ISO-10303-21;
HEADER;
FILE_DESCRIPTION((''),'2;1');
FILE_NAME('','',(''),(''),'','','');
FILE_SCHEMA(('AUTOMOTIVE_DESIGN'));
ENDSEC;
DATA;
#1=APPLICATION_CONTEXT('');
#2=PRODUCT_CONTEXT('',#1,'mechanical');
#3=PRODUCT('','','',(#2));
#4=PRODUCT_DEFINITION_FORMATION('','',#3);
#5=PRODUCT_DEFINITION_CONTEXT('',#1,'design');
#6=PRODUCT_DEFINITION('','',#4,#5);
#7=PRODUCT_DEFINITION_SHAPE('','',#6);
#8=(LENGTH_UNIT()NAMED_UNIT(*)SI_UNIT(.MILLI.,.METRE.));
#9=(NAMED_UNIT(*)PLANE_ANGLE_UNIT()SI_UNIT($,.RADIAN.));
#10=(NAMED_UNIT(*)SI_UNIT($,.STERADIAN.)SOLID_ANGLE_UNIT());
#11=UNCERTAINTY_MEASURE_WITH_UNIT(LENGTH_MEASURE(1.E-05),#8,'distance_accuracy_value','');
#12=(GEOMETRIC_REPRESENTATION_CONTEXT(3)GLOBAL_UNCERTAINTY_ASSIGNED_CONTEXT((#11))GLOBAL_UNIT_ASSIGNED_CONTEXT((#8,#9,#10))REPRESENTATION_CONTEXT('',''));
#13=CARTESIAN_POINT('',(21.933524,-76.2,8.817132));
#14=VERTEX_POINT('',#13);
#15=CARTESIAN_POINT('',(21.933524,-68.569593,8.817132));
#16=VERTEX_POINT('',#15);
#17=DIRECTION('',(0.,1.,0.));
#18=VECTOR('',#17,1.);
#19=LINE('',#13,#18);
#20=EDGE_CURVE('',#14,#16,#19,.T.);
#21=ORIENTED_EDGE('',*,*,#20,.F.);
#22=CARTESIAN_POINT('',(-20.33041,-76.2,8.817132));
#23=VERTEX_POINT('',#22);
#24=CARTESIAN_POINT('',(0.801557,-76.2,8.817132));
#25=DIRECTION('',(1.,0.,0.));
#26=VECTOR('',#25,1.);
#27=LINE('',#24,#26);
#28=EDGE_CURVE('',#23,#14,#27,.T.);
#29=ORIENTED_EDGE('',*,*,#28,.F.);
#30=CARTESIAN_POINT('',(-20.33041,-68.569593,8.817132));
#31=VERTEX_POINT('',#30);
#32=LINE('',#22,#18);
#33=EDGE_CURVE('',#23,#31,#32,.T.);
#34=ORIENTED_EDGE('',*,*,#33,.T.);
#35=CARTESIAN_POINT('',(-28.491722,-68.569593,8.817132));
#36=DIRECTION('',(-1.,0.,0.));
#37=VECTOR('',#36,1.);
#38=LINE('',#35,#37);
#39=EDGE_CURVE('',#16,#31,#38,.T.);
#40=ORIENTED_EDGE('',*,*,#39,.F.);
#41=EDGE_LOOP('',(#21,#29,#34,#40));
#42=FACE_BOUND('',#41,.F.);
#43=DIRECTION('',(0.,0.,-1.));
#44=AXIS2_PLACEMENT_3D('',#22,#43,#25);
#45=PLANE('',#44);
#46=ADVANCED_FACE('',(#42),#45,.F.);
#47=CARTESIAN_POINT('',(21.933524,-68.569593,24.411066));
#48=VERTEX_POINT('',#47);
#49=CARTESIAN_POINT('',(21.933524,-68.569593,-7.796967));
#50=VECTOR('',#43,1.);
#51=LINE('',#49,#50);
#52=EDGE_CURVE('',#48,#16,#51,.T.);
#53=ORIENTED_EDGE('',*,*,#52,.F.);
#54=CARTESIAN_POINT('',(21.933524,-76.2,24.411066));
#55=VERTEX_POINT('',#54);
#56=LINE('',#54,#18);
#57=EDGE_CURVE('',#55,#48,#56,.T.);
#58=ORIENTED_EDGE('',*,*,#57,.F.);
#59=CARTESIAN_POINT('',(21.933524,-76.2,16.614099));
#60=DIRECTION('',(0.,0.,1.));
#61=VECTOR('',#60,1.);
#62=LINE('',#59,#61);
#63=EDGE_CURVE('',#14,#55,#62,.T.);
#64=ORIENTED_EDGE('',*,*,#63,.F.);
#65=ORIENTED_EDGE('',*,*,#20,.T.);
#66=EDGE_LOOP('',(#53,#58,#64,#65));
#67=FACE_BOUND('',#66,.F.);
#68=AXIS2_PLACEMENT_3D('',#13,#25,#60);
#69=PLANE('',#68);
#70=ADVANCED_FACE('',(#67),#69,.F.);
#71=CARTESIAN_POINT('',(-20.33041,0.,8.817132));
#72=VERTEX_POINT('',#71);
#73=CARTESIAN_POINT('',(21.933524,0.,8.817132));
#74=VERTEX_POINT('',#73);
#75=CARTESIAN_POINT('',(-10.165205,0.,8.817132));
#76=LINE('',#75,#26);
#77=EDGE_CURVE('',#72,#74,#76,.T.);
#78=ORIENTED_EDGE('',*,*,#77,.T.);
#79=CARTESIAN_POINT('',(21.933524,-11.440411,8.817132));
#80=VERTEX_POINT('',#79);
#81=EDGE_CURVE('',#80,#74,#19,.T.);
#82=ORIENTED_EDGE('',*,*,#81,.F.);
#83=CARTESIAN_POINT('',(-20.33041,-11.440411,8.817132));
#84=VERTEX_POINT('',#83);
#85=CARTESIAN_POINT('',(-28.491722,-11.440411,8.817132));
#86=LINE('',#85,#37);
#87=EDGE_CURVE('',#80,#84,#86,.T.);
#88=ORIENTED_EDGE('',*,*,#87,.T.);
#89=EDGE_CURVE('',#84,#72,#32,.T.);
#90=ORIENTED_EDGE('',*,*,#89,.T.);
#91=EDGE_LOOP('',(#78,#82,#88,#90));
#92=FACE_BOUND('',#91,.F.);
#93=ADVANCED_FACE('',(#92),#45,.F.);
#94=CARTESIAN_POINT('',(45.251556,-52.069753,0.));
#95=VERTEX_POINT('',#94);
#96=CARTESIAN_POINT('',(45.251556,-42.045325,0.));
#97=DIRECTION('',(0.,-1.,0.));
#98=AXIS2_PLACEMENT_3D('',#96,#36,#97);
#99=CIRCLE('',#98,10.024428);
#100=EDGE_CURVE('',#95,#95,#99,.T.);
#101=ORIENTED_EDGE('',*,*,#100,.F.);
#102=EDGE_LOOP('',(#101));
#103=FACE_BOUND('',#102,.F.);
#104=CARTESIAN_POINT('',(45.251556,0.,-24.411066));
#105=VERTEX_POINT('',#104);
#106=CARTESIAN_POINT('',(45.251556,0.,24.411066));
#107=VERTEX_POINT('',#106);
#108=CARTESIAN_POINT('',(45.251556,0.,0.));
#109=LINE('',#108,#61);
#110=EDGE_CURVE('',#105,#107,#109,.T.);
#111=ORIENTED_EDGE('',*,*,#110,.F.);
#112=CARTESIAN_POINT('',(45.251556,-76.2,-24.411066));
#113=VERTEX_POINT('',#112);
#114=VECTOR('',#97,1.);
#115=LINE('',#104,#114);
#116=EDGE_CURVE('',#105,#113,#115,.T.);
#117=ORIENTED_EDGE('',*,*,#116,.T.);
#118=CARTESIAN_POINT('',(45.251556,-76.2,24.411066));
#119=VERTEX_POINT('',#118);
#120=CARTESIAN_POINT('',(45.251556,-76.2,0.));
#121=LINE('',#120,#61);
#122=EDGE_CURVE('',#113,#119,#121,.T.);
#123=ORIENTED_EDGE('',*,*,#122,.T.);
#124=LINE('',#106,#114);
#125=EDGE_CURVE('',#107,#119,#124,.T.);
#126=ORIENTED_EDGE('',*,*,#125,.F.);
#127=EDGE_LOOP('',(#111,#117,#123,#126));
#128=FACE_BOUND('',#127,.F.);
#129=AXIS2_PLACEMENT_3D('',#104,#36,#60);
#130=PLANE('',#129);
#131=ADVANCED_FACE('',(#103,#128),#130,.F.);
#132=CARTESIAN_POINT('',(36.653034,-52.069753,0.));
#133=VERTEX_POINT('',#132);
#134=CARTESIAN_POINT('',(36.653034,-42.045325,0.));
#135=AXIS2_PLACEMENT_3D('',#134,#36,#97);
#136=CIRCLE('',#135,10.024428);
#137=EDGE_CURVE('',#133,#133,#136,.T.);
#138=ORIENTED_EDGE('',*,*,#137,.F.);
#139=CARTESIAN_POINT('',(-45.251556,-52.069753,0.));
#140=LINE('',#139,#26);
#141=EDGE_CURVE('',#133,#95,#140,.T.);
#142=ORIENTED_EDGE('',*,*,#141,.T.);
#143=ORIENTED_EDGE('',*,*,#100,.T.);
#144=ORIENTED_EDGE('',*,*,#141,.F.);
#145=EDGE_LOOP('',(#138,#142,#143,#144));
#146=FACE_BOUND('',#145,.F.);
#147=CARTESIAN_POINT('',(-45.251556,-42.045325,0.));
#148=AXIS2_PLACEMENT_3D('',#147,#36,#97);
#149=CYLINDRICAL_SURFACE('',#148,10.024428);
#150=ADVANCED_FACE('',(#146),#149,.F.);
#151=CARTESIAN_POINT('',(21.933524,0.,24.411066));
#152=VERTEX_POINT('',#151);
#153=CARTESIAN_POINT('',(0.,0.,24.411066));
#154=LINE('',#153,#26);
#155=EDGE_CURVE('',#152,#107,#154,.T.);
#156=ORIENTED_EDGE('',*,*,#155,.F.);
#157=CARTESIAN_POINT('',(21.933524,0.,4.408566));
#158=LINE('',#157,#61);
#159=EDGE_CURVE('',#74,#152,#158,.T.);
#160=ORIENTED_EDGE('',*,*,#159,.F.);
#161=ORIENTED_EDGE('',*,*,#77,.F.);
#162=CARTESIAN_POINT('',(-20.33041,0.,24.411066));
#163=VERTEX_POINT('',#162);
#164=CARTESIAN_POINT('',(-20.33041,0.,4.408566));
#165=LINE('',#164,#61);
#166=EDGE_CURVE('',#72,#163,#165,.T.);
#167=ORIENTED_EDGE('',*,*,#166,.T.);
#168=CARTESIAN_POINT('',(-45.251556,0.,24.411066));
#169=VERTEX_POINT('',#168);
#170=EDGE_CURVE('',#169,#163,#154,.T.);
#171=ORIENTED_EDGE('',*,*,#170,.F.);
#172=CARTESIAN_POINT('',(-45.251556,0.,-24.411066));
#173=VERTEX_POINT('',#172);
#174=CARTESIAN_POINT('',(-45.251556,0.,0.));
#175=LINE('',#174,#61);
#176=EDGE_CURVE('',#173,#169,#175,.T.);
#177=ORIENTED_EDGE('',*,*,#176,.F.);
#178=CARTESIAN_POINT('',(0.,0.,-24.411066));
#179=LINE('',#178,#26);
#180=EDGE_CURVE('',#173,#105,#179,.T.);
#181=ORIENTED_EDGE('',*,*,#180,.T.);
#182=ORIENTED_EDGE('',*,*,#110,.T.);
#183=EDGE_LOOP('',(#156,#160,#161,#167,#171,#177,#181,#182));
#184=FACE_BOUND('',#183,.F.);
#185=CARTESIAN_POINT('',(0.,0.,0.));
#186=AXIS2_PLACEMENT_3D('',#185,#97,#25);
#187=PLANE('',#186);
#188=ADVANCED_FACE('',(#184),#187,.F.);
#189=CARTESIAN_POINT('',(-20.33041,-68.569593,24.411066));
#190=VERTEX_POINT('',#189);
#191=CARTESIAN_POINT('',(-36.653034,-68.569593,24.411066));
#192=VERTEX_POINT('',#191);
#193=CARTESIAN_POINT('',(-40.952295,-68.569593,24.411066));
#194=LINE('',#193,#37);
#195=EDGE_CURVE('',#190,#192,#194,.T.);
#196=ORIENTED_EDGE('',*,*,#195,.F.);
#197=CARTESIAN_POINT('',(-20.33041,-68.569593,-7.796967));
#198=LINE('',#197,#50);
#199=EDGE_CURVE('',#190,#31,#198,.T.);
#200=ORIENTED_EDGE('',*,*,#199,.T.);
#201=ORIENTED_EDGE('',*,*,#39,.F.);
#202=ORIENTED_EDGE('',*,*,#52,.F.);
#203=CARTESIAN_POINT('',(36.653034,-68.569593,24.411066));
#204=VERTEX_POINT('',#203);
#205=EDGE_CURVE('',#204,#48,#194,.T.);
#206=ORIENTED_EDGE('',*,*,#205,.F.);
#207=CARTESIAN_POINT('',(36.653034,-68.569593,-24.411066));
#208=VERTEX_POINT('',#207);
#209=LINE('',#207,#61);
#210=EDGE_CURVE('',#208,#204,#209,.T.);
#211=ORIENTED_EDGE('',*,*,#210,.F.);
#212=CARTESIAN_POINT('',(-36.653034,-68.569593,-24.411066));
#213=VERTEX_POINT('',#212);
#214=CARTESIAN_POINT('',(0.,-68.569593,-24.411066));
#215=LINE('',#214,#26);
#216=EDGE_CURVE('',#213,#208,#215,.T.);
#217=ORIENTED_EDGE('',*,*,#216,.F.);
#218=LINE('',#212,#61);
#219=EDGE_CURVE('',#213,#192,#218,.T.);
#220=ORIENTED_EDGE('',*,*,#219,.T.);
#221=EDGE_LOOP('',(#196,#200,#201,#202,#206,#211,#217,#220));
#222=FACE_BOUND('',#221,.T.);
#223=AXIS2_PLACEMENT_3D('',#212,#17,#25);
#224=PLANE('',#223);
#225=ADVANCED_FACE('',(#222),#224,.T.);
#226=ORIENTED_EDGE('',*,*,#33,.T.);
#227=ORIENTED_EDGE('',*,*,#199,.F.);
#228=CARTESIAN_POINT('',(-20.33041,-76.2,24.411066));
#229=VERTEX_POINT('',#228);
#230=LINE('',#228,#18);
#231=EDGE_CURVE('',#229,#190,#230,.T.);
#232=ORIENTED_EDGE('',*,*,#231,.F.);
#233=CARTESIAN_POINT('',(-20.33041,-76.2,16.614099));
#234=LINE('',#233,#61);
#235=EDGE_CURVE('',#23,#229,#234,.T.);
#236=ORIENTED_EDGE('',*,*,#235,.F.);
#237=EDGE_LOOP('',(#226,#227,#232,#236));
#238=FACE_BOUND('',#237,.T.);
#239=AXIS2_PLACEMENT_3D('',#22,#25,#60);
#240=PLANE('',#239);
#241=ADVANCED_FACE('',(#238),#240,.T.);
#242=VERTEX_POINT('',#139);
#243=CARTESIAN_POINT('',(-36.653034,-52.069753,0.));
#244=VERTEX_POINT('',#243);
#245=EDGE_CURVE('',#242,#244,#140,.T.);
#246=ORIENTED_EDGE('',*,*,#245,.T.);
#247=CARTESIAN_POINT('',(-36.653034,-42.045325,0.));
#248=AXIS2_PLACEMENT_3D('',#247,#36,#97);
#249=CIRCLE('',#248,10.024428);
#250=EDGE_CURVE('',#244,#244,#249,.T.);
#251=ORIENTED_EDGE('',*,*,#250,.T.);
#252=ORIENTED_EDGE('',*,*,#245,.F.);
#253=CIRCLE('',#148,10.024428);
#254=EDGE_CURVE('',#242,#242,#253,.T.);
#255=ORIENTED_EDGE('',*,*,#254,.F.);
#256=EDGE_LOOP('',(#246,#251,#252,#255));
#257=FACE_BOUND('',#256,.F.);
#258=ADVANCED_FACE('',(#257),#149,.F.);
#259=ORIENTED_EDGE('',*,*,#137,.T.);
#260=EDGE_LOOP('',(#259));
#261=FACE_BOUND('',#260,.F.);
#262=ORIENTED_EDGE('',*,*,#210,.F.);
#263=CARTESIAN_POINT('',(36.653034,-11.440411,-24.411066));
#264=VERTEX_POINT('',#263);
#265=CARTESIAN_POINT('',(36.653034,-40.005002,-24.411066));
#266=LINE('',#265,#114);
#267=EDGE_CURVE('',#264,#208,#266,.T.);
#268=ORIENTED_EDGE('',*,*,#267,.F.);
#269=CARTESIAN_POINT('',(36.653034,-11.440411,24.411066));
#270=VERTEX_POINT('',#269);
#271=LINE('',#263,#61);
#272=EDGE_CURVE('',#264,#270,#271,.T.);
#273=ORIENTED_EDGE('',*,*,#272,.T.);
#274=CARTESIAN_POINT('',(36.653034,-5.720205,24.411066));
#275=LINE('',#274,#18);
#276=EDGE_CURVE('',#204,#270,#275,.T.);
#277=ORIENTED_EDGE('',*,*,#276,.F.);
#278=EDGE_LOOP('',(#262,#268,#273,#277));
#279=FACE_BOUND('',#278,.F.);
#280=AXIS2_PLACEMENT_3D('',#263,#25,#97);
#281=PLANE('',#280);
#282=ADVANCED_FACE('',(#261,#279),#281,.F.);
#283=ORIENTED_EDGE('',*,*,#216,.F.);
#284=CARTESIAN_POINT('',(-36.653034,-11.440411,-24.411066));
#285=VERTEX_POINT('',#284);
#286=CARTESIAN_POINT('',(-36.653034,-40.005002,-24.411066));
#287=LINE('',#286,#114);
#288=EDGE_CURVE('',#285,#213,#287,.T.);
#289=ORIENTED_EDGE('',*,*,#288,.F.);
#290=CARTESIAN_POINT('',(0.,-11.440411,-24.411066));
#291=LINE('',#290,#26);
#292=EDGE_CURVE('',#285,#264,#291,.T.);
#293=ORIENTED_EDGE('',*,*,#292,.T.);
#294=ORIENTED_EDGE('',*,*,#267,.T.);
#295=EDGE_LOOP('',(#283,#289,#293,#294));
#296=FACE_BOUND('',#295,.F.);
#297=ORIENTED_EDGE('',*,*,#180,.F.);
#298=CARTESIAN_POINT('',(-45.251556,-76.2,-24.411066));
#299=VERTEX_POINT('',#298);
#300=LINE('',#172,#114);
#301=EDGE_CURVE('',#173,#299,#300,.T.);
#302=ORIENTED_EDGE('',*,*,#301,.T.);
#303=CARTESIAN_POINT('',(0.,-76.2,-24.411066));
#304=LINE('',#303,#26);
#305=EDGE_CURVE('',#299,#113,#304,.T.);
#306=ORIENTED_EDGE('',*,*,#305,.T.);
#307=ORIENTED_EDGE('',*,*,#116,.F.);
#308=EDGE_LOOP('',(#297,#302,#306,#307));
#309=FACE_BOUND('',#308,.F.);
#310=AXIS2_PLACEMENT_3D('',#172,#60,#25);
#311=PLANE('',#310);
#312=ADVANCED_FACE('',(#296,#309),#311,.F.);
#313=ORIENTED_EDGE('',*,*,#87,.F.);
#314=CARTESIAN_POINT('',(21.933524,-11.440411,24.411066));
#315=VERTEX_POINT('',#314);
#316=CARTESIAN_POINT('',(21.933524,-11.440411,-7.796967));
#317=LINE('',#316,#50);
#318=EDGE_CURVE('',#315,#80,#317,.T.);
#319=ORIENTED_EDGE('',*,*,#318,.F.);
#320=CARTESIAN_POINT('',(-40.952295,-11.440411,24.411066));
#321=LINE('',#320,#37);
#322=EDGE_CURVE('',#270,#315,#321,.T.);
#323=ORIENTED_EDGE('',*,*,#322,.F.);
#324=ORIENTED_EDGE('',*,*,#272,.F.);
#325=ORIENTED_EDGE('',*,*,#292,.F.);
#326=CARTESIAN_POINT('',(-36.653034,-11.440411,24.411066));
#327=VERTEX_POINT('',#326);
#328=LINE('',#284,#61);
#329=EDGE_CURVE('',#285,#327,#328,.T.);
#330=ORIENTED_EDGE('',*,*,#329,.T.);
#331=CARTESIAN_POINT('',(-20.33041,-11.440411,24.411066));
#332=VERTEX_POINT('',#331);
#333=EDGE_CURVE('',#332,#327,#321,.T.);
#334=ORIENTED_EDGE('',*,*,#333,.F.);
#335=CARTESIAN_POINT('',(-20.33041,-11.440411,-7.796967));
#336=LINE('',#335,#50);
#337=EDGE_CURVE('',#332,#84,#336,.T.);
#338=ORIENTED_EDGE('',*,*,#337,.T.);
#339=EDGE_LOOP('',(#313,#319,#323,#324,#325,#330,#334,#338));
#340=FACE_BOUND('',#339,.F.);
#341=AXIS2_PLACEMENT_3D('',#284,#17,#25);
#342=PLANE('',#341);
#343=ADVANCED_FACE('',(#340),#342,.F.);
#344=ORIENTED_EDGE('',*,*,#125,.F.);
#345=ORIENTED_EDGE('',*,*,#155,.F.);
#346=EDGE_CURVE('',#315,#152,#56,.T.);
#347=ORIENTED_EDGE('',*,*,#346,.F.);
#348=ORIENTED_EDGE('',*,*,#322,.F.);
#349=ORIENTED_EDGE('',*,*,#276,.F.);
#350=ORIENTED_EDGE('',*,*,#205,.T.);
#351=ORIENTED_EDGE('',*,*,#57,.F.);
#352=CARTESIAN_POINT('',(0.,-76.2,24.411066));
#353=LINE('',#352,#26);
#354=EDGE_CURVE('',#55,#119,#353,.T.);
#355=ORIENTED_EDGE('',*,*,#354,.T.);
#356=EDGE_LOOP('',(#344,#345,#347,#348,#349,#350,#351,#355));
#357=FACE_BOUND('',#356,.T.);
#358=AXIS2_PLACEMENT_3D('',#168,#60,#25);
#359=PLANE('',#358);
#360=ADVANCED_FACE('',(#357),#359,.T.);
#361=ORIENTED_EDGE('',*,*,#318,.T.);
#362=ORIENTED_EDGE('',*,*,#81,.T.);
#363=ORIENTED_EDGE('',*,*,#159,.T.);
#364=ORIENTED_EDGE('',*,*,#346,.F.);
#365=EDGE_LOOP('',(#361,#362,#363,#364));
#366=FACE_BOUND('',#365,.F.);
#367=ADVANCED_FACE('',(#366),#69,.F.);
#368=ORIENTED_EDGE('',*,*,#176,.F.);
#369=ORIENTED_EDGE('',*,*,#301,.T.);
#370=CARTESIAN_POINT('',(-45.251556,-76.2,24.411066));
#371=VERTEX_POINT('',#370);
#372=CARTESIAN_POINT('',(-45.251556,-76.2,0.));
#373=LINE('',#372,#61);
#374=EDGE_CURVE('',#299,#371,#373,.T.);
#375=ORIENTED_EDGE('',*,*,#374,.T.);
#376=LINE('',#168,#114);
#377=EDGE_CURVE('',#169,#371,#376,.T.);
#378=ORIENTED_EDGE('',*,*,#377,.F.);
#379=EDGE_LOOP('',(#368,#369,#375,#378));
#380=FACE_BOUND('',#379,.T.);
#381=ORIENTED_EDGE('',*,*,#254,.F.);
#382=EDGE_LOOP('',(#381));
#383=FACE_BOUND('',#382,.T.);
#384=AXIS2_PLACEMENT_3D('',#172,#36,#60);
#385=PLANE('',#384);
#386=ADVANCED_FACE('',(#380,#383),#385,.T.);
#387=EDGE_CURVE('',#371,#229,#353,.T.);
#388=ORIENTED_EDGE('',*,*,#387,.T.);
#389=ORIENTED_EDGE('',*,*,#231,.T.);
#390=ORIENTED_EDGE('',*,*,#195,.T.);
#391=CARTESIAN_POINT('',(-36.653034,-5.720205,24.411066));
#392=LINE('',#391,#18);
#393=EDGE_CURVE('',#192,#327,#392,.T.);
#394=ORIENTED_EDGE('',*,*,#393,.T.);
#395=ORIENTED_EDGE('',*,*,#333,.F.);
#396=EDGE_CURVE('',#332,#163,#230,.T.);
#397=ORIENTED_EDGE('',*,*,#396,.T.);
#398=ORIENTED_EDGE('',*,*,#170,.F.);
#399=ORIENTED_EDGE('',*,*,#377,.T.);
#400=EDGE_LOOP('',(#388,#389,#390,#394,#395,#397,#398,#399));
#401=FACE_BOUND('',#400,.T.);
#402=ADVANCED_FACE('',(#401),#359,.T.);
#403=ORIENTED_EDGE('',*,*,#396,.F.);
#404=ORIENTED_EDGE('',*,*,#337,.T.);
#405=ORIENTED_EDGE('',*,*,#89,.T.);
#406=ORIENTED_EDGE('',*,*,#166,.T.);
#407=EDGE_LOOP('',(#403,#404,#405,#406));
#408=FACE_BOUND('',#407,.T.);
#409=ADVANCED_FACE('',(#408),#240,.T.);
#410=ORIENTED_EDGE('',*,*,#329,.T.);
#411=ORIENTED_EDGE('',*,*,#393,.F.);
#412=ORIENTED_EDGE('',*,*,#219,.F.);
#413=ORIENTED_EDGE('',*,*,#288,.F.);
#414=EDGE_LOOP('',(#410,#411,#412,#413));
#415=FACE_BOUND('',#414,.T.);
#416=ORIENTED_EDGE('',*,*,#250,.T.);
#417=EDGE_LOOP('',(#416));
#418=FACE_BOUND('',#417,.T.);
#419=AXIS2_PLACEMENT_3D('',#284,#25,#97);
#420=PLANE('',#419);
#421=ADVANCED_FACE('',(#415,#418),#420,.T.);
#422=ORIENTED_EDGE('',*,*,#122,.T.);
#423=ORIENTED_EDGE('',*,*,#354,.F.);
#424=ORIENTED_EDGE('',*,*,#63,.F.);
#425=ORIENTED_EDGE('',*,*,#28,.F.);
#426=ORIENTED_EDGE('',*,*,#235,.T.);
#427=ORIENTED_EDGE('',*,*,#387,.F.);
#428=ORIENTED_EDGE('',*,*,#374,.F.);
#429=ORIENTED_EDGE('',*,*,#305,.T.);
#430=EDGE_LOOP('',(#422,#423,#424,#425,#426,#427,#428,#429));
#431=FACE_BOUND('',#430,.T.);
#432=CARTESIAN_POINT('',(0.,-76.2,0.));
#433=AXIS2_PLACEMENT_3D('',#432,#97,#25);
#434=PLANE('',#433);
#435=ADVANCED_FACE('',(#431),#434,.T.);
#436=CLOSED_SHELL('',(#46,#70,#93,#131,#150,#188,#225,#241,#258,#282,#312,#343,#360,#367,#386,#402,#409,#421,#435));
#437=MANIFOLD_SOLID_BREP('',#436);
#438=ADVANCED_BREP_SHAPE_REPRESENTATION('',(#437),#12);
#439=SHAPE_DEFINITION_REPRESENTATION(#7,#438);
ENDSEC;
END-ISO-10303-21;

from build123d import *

# Parameters (mm, degrees)
F0_W     = 90.503112
F0_H     = 48.822132
F1_DEPTH = 76.2
F2_W     = 73.306068
F2_H     = 57.129182
F3_DEPTH = 76.2
F4_R     = 10.024428
F5_DEPTH = 101.6
F6_W     = 42.263934
F6_H     = 15.593934
F7_DEPTH = 101.6


with BuildPart() as f1:
    # F0 (on Front) → F1 (new body)
    with BuildSketch(Plane.XZ):
        Rectangle(F0_W, F0_H)
    extrude(amount=F1_DEPTH)

    # F2 (on face) → F3 (cut)
    with BuildSketch(Plane(origin=(0, 0, -24.411066), x_dir=(1, 0, 0), z_dir=(0, 0, -1))):
        with Locations((0, 40.005002)):
            Rectangle(F2_W, F2_H)
    extrude(amount=-F3_DEPTH, mode=Mode.SUBTRACT)

    # F4 (on face) → F5 (cut)
    with BuildSketch(Plane(origin=(-45.251556, 0, 0), x_dir=(0, -1, 0), z_dir=(-1, 0, 0))):
        with Locations((42.045325, 0)):
            Circle(F4_R)
    extrude(amount=-F5_DEPTH, mode=Mode.SUBTRACT)

    # F6 (on face) → F7 (cut)
    with BuildSketch(Plane.XZ.offset(76.2)):
        with Locations((0.801557, 16.614099)):
            Rectangle(F6_W, F6_H)
    extrude(amount=-F7_DEPTH, mode=Mode.SUBTRACT)


solid = f1.part
